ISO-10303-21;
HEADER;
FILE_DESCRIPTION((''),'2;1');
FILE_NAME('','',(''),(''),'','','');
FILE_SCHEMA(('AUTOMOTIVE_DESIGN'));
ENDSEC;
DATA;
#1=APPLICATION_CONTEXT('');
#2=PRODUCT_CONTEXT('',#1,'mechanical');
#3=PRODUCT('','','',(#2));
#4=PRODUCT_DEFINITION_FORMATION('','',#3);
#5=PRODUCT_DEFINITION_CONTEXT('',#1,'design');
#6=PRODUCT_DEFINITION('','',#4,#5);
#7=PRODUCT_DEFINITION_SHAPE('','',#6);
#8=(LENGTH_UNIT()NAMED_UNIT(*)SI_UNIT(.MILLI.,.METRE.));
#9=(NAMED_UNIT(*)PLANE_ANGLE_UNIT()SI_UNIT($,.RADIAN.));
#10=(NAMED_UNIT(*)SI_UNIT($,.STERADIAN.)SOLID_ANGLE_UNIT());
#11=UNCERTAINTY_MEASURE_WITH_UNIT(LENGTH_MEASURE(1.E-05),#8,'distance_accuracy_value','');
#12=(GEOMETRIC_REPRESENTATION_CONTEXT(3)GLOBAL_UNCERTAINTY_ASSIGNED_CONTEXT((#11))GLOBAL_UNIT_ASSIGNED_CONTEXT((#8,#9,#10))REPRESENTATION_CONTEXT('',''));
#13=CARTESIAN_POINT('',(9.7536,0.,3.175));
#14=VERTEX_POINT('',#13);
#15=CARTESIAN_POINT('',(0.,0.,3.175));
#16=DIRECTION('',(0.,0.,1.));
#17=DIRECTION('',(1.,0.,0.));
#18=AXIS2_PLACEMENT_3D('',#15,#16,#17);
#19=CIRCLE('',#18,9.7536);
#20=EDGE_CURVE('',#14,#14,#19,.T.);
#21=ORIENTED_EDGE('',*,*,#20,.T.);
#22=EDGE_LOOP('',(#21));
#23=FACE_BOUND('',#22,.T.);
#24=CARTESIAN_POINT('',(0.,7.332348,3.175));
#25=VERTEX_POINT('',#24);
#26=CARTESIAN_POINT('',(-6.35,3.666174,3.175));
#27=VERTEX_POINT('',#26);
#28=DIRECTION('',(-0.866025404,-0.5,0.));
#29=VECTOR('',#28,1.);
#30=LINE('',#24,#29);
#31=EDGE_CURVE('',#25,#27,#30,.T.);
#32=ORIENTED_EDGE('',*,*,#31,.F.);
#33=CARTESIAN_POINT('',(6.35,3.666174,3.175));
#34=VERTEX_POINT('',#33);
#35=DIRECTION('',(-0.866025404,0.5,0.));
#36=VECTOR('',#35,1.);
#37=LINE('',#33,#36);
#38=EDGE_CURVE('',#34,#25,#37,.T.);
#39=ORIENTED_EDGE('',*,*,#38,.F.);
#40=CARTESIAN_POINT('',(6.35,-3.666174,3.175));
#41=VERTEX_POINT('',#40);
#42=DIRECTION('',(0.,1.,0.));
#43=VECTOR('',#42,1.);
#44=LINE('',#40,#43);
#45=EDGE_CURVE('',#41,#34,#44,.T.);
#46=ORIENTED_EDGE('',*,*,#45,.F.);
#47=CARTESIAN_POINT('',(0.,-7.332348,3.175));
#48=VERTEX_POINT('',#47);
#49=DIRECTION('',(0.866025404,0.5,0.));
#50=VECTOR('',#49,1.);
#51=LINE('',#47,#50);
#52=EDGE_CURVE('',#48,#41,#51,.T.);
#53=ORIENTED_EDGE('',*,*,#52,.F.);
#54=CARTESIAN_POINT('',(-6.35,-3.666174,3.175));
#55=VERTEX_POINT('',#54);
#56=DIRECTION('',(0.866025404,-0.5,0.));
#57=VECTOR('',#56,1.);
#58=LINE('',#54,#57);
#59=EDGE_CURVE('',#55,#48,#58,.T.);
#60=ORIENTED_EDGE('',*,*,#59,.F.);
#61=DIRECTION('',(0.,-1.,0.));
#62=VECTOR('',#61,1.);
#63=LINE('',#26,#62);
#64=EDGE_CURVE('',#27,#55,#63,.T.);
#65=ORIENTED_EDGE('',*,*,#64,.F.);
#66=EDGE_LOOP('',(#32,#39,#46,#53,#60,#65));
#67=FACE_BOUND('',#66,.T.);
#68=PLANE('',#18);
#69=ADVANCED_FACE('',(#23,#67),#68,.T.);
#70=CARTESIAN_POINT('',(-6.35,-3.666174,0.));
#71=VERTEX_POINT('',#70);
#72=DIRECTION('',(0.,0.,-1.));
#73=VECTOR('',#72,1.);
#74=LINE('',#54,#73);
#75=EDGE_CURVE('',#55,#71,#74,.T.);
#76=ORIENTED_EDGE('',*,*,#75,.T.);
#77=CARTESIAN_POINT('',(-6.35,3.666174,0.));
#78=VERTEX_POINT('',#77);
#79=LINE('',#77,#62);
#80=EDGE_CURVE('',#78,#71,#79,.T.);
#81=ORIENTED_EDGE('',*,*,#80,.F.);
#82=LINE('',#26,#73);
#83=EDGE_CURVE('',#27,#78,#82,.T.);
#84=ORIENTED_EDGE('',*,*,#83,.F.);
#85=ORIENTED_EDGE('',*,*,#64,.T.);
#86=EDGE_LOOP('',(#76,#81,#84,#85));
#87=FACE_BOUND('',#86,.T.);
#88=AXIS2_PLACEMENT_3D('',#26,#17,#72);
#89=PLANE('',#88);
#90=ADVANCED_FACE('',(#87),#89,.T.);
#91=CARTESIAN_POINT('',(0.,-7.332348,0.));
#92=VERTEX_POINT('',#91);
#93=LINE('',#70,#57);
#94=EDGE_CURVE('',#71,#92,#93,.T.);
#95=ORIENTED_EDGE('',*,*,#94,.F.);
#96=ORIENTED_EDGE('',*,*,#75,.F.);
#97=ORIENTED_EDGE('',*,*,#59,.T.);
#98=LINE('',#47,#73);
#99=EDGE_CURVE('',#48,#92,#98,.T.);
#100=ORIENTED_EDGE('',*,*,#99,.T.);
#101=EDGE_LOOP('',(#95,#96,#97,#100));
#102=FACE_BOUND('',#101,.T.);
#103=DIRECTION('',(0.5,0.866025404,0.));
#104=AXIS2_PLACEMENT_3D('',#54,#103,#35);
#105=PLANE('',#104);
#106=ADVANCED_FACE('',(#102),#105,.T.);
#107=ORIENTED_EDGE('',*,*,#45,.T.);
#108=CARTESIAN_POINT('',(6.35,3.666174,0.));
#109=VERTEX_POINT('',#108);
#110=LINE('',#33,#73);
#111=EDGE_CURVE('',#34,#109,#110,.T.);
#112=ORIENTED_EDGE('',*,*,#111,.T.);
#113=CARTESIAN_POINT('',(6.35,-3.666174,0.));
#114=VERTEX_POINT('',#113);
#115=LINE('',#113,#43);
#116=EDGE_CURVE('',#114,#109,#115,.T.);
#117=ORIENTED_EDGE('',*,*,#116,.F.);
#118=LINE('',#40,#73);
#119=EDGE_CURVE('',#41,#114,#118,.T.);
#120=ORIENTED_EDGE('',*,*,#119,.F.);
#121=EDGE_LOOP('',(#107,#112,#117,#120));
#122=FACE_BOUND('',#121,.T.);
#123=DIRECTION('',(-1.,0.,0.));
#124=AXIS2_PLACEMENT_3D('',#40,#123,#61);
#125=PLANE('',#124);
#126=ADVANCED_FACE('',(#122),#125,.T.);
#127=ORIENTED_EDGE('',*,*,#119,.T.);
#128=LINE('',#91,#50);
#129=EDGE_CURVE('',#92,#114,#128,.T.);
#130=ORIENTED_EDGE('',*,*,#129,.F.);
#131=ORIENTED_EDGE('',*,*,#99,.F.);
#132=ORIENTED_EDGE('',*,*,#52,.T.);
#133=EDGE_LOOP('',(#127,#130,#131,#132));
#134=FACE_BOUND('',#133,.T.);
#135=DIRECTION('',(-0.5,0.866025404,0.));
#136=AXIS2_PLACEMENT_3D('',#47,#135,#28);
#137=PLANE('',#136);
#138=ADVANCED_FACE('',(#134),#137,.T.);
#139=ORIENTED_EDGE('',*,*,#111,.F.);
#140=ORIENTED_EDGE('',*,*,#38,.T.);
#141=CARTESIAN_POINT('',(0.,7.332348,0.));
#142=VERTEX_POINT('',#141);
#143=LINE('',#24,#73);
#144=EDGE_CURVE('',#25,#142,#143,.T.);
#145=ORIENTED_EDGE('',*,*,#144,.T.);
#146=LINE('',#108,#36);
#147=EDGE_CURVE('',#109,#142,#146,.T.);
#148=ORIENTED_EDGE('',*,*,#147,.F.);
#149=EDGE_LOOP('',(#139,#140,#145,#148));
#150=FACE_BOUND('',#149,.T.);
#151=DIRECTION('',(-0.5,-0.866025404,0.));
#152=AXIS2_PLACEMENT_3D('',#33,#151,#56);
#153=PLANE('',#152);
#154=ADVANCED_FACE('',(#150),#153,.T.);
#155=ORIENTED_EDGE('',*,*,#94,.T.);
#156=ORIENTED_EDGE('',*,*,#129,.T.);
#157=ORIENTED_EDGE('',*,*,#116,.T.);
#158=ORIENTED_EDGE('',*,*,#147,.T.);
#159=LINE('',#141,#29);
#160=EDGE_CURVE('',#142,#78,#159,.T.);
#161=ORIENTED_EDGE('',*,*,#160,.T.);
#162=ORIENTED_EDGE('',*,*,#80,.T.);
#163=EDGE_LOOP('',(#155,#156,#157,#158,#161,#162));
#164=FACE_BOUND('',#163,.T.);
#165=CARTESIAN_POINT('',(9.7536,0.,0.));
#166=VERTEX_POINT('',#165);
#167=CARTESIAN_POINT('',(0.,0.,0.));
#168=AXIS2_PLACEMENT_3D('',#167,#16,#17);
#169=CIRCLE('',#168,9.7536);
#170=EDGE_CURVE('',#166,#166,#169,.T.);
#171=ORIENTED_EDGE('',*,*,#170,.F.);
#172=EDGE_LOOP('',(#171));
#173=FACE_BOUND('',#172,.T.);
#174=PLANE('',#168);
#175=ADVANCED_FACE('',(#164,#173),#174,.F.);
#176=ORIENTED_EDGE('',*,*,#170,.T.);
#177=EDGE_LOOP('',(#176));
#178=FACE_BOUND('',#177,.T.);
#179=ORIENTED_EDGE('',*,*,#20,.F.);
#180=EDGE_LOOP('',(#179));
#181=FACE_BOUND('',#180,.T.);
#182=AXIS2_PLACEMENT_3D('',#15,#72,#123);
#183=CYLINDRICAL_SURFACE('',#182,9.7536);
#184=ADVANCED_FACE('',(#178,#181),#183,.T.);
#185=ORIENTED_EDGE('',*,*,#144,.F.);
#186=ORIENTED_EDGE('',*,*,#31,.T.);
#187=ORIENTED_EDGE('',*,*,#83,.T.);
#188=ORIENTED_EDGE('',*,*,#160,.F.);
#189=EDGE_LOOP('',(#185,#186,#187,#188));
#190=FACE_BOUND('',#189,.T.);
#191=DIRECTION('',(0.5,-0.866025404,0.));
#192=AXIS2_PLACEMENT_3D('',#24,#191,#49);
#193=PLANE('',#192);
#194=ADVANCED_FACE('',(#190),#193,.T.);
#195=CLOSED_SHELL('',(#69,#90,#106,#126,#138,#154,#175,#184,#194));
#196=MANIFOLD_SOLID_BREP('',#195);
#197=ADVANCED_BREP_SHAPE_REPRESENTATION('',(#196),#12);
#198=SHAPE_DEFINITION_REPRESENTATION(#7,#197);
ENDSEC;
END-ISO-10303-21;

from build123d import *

# Parameters (mm, degrees)
SKETCH1_R         = 9.7536
SPACER_BOSS_DEPTH = 3.175


with BuildPart() as part:
    # Sketch1 → Spacer Boss (new body)
    with BuildSketch(Plane.XY):
        Circle(SKETCH1_R)
        Polygon((-6.35, 3.666174209), (-6.35, -3.666174209), (0, -7.332348419), (6.35, -3.666174209), (6.35, 3.666174209), (0, 7.332348419), align=None, mode=Mode.SUBTRACT)
    extrude(amount=SPACER_BOSS_DEPTH)


solid = part.part
